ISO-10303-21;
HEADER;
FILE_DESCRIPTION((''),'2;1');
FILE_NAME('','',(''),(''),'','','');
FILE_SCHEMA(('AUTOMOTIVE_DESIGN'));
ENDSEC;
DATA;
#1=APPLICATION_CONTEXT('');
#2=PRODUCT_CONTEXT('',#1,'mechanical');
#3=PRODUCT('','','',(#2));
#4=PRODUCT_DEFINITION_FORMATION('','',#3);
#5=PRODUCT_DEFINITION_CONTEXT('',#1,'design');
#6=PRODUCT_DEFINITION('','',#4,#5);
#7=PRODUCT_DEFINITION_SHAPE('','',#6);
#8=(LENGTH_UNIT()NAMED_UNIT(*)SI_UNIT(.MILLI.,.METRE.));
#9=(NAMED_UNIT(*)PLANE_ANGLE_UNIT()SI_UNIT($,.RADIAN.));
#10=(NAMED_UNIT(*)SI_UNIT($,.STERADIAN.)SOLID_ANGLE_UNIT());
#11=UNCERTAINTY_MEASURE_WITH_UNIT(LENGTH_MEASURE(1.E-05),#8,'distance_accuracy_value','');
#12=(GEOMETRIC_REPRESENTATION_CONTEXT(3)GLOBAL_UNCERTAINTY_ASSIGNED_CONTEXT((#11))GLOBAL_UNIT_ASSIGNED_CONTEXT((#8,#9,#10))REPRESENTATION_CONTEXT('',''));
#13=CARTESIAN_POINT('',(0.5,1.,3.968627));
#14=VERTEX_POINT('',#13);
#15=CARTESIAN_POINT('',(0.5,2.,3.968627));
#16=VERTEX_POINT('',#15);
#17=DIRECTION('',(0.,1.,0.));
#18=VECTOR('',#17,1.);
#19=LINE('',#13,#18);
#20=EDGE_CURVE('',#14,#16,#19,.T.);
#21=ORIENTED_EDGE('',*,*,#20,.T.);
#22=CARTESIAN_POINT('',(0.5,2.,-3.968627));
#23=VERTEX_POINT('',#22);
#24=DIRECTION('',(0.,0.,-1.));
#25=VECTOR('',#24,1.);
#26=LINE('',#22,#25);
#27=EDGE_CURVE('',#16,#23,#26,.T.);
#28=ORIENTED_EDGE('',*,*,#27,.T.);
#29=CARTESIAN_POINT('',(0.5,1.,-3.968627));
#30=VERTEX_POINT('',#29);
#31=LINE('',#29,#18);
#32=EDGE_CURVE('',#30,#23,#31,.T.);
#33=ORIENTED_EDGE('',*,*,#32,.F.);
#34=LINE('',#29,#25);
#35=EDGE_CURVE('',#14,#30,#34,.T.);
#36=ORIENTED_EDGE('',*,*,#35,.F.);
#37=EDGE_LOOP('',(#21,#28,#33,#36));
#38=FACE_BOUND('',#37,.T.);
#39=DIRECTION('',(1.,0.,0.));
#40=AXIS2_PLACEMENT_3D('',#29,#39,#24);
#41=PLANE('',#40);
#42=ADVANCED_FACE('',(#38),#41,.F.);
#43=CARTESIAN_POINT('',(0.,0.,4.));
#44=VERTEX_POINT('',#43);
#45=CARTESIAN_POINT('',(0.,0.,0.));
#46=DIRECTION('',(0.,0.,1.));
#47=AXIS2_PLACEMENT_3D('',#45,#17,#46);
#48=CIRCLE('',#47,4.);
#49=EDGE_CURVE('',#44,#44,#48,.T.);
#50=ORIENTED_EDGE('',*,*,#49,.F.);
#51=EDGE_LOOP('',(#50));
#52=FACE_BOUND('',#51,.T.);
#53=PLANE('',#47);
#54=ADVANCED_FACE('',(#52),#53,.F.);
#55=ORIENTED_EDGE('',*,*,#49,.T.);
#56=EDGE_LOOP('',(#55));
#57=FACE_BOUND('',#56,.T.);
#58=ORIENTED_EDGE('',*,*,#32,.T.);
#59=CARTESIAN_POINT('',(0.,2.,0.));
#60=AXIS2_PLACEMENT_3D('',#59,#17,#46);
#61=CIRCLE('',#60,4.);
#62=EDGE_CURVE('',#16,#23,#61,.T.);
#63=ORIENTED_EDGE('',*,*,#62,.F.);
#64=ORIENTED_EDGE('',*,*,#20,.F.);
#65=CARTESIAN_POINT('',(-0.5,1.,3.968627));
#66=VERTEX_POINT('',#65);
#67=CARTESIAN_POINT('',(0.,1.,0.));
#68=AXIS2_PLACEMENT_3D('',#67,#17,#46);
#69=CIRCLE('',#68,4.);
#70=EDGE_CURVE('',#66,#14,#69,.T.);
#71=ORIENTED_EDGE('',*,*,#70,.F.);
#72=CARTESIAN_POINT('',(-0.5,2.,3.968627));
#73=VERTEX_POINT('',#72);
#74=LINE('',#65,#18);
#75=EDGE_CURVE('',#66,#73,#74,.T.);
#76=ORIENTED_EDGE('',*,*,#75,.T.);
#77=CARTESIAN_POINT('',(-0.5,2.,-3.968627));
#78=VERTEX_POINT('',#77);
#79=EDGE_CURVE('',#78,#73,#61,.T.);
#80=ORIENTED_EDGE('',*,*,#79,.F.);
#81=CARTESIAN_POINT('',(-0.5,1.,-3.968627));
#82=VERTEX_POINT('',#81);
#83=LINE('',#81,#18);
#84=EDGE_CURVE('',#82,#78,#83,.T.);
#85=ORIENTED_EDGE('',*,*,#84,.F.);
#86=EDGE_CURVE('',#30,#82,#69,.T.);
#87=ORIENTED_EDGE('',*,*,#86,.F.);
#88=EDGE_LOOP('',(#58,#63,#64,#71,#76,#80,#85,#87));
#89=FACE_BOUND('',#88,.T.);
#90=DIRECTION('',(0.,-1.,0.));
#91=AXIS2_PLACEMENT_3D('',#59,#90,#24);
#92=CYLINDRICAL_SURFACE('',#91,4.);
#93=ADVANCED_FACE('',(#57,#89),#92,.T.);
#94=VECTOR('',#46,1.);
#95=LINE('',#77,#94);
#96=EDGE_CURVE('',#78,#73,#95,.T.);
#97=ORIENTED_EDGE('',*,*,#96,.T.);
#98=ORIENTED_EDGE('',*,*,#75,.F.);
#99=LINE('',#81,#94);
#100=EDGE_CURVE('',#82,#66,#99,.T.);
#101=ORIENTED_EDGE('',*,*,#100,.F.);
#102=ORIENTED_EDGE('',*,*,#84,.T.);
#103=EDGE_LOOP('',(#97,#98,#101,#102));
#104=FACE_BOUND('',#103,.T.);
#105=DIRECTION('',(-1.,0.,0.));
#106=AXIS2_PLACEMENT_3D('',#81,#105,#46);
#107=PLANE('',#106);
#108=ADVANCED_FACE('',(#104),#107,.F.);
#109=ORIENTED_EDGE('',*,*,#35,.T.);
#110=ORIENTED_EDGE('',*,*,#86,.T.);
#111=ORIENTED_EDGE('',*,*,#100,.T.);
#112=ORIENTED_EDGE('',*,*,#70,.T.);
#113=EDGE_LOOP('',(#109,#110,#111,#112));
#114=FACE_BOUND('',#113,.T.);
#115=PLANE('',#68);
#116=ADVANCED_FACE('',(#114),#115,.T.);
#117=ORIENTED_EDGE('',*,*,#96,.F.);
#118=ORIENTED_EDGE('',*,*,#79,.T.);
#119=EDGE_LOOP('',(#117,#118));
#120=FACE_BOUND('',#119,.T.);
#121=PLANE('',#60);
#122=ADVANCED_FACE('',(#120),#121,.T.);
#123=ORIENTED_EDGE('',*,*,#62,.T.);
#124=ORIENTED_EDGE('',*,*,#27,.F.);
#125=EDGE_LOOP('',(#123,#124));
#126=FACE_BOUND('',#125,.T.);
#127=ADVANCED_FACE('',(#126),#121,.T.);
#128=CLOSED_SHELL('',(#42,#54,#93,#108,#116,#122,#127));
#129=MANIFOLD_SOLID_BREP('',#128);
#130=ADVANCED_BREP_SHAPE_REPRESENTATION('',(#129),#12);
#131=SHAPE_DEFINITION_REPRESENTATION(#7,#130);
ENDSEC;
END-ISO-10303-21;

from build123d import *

# Parameters (mm, degrees)
CROQUIS1_R              = 4
SALIENTE_EXTRUIR1_DEPTH = 2
CORTAR_EXTRUIR1_START   = -1
CORTAR_EXTRUIR1_DEPTH   = 1


with BuildPart() as part:
    # Croquis1 → Saliente-Extruir1 (new body)
    with BuildSketch(Plane(origin=(0, 0, 0), x_dir=(1, 0, 0), z_dir=(0, 1, 0))):
        with Locations(Location((0, 0, 0), (0, 0, 270))):
            Circle(CROQUIS1_R)
    extrude(amount=SALIENTE_EXTRUIR1_DEPTH)

    # Croquis2 → Cortar-Extruir1 (cut)
    with BuildSketch(Plane(origin=(0, 2, 0), x_dir=(1, 0, 0), z_dir=(0, 1, 0)).offset(CORTAR_EXTRUIR1_START)):
        with BuildLine():
            Line((-0.5, 3.968626967), (-0.5, -3.968626967))
            ThreePointArc((-0.5, -3.968626967), (0, -4), (0.5, -3.968626967))
            Line((0.5, -3.968626967), (0.5, 3.968626967))
            ThreePointArc((0.5, 3.968626967), (0, 4), (-0.5, 3.968626967))
        make_face()
    extrude(amount=CORTAR_EXTRUIR1_DEPTH, mode=Mode.SUBTRACT)


solid = part.part
